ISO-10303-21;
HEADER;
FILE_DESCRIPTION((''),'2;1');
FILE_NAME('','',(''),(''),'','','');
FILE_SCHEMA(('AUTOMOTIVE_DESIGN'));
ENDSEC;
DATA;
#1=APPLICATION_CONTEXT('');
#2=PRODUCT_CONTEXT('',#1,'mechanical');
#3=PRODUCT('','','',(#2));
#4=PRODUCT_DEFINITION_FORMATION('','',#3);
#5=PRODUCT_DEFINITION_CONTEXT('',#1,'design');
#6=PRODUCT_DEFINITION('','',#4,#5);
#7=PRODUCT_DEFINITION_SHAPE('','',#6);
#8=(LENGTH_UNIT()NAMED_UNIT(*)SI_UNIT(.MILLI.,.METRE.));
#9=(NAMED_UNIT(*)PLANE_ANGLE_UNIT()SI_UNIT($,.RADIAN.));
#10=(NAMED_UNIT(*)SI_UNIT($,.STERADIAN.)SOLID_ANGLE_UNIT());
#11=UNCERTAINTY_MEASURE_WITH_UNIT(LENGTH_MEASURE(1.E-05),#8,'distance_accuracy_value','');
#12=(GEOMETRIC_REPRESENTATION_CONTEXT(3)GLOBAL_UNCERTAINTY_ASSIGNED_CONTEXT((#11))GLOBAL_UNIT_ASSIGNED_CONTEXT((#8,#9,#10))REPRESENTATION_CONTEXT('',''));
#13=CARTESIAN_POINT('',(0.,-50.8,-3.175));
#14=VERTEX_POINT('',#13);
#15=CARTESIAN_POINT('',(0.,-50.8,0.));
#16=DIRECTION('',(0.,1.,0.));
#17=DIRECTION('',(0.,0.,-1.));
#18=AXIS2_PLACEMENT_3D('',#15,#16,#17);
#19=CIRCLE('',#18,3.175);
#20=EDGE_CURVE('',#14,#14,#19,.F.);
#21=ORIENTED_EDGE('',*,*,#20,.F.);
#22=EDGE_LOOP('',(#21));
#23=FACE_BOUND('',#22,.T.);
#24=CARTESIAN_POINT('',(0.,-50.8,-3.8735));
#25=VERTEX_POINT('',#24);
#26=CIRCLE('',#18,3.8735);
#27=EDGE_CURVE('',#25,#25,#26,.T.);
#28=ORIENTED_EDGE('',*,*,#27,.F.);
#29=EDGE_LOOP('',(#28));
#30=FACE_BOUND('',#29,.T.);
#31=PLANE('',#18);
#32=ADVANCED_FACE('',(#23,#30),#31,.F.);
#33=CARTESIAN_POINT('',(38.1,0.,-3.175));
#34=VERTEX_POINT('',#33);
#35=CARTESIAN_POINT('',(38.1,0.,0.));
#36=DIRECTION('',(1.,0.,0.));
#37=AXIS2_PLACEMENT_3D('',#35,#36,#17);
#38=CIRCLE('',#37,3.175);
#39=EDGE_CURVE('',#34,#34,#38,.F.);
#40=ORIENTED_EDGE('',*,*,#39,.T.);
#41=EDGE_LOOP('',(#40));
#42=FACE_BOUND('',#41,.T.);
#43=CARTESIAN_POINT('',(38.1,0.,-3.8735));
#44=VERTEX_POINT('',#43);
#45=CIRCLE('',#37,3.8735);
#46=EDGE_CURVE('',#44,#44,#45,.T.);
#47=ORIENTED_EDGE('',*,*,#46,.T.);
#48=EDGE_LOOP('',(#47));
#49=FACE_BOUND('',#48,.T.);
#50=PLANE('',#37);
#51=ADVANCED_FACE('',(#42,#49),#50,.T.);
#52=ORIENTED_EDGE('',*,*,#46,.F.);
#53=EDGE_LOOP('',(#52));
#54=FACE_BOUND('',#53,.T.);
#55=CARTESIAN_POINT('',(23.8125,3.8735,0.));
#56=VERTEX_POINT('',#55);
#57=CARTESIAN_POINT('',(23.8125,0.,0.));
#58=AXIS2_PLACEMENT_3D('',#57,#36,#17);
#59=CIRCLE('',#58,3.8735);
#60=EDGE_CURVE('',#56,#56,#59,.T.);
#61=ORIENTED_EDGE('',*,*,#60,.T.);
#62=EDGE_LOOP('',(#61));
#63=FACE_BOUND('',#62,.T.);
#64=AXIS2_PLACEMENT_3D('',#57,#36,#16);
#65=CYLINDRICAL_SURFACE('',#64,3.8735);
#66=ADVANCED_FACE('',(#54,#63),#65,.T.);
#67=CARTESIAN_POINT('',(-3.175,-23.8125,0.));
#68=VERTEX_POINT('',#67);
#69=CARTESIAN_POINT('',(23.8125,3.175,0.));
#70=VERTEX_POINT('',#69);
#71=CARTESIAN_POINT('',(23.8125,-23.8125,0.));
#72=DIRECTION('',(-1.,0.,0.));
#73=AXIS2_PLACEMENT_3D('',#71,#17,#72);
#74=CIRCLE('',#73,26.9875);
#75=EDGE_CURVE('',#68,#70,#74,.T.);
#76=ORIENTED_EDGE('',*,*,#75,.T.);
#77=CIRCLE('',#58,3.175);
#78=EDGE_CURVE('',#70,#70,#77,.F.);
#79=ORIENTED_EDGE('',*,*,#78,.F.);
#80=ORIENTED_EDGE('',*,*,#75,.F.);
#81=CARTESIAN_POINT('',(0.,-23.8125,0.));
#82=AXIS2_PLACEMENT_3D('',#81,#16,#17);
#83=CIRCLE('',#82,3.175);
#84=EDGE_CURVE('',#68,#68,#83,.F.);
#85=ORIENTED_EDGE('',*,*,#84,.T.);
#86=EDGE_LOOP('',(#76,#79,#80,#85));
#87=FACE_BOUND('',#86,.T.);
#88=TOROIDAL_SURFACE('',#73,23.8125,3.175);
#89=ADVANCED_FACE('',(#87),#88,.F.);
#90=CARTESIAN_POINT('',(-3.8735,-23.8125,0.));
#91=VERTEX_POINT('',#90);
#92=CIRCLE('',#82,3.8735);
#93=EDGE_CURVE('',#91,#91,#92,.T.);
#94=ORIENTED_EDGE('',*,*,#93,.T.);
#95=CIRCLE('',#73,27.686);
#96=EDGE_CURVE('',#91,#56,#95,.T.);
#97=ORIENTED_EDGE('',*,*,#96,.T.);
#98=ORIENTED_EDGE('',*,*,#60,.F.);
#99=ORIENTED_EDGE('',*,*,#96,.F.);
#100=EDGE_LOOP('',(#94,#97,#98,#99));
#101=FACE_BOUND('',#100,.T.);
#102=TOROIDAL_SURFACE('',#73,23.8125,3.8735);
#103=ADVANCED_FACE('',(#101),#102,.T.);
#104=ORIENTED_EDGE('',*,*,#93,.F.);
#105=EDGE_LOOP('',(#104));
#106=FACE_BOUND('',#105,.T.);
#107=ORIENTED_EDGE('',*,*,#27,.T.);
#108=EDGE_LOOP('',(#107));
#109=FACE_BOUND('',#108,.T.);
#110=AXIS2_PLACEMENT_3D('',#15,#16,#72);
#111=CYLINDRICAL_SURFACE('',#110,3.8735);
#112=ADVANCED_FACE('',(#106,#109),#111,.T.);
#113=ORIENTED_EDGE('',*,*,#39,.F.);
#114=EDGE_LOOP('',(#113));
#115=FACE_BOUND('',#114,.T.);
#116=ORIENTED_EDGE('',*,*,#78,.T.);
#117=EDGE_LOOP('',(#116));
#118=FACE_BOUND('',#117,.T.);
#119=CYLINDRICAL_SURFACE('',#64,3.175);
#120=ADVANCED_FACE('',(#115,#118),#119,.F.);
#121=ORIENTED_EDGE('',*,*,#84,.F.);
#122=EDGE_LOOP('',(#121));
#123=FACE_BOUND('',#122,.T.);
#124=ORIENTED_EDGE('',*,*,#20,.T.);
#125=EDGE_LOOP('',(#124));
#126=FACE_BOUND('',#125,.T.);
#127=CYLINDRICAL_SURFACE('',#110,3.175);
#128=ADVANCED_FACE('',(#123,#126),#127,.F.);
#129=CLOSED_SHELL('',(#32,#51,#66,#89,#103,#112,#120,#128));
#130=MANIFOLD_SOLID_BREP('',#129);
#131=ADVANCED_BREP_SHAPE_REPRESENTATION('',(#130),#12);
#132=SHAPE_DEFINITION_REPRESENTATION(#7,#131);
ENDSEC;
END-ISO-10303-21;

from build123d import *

# Parameters (mm, degrees)
SKETCH2_R   = 3.8735
SKETCH2_R_2 = 3.175


with BuildPart() as part:
    # Sweep1: sweep along a path in Sketch1
    with BuildLine(Plane.XY) as sweep1_path:
        Line((0, -50.8), (0, -23.8125))
        ThreePointArc((0, -23.8125), (6.974519773, -6.974519773), (23.8125, 0))
        Line((23.8125, 0), (38.1, 0))
    # Sketch2 → Sweep1 (sweep)
    with BuildSketch(Plane(origin=(38.1, 0, 0), x_dir=(0, 0, -1), z_dir=(1, 0, 0))):
        Circle(SKETCH2_R)
        Circle(SKETCH2_R_2, mode=Mode.SUBTRACT)
    sweep(path=sweep1_path.line)


solid = part.part
